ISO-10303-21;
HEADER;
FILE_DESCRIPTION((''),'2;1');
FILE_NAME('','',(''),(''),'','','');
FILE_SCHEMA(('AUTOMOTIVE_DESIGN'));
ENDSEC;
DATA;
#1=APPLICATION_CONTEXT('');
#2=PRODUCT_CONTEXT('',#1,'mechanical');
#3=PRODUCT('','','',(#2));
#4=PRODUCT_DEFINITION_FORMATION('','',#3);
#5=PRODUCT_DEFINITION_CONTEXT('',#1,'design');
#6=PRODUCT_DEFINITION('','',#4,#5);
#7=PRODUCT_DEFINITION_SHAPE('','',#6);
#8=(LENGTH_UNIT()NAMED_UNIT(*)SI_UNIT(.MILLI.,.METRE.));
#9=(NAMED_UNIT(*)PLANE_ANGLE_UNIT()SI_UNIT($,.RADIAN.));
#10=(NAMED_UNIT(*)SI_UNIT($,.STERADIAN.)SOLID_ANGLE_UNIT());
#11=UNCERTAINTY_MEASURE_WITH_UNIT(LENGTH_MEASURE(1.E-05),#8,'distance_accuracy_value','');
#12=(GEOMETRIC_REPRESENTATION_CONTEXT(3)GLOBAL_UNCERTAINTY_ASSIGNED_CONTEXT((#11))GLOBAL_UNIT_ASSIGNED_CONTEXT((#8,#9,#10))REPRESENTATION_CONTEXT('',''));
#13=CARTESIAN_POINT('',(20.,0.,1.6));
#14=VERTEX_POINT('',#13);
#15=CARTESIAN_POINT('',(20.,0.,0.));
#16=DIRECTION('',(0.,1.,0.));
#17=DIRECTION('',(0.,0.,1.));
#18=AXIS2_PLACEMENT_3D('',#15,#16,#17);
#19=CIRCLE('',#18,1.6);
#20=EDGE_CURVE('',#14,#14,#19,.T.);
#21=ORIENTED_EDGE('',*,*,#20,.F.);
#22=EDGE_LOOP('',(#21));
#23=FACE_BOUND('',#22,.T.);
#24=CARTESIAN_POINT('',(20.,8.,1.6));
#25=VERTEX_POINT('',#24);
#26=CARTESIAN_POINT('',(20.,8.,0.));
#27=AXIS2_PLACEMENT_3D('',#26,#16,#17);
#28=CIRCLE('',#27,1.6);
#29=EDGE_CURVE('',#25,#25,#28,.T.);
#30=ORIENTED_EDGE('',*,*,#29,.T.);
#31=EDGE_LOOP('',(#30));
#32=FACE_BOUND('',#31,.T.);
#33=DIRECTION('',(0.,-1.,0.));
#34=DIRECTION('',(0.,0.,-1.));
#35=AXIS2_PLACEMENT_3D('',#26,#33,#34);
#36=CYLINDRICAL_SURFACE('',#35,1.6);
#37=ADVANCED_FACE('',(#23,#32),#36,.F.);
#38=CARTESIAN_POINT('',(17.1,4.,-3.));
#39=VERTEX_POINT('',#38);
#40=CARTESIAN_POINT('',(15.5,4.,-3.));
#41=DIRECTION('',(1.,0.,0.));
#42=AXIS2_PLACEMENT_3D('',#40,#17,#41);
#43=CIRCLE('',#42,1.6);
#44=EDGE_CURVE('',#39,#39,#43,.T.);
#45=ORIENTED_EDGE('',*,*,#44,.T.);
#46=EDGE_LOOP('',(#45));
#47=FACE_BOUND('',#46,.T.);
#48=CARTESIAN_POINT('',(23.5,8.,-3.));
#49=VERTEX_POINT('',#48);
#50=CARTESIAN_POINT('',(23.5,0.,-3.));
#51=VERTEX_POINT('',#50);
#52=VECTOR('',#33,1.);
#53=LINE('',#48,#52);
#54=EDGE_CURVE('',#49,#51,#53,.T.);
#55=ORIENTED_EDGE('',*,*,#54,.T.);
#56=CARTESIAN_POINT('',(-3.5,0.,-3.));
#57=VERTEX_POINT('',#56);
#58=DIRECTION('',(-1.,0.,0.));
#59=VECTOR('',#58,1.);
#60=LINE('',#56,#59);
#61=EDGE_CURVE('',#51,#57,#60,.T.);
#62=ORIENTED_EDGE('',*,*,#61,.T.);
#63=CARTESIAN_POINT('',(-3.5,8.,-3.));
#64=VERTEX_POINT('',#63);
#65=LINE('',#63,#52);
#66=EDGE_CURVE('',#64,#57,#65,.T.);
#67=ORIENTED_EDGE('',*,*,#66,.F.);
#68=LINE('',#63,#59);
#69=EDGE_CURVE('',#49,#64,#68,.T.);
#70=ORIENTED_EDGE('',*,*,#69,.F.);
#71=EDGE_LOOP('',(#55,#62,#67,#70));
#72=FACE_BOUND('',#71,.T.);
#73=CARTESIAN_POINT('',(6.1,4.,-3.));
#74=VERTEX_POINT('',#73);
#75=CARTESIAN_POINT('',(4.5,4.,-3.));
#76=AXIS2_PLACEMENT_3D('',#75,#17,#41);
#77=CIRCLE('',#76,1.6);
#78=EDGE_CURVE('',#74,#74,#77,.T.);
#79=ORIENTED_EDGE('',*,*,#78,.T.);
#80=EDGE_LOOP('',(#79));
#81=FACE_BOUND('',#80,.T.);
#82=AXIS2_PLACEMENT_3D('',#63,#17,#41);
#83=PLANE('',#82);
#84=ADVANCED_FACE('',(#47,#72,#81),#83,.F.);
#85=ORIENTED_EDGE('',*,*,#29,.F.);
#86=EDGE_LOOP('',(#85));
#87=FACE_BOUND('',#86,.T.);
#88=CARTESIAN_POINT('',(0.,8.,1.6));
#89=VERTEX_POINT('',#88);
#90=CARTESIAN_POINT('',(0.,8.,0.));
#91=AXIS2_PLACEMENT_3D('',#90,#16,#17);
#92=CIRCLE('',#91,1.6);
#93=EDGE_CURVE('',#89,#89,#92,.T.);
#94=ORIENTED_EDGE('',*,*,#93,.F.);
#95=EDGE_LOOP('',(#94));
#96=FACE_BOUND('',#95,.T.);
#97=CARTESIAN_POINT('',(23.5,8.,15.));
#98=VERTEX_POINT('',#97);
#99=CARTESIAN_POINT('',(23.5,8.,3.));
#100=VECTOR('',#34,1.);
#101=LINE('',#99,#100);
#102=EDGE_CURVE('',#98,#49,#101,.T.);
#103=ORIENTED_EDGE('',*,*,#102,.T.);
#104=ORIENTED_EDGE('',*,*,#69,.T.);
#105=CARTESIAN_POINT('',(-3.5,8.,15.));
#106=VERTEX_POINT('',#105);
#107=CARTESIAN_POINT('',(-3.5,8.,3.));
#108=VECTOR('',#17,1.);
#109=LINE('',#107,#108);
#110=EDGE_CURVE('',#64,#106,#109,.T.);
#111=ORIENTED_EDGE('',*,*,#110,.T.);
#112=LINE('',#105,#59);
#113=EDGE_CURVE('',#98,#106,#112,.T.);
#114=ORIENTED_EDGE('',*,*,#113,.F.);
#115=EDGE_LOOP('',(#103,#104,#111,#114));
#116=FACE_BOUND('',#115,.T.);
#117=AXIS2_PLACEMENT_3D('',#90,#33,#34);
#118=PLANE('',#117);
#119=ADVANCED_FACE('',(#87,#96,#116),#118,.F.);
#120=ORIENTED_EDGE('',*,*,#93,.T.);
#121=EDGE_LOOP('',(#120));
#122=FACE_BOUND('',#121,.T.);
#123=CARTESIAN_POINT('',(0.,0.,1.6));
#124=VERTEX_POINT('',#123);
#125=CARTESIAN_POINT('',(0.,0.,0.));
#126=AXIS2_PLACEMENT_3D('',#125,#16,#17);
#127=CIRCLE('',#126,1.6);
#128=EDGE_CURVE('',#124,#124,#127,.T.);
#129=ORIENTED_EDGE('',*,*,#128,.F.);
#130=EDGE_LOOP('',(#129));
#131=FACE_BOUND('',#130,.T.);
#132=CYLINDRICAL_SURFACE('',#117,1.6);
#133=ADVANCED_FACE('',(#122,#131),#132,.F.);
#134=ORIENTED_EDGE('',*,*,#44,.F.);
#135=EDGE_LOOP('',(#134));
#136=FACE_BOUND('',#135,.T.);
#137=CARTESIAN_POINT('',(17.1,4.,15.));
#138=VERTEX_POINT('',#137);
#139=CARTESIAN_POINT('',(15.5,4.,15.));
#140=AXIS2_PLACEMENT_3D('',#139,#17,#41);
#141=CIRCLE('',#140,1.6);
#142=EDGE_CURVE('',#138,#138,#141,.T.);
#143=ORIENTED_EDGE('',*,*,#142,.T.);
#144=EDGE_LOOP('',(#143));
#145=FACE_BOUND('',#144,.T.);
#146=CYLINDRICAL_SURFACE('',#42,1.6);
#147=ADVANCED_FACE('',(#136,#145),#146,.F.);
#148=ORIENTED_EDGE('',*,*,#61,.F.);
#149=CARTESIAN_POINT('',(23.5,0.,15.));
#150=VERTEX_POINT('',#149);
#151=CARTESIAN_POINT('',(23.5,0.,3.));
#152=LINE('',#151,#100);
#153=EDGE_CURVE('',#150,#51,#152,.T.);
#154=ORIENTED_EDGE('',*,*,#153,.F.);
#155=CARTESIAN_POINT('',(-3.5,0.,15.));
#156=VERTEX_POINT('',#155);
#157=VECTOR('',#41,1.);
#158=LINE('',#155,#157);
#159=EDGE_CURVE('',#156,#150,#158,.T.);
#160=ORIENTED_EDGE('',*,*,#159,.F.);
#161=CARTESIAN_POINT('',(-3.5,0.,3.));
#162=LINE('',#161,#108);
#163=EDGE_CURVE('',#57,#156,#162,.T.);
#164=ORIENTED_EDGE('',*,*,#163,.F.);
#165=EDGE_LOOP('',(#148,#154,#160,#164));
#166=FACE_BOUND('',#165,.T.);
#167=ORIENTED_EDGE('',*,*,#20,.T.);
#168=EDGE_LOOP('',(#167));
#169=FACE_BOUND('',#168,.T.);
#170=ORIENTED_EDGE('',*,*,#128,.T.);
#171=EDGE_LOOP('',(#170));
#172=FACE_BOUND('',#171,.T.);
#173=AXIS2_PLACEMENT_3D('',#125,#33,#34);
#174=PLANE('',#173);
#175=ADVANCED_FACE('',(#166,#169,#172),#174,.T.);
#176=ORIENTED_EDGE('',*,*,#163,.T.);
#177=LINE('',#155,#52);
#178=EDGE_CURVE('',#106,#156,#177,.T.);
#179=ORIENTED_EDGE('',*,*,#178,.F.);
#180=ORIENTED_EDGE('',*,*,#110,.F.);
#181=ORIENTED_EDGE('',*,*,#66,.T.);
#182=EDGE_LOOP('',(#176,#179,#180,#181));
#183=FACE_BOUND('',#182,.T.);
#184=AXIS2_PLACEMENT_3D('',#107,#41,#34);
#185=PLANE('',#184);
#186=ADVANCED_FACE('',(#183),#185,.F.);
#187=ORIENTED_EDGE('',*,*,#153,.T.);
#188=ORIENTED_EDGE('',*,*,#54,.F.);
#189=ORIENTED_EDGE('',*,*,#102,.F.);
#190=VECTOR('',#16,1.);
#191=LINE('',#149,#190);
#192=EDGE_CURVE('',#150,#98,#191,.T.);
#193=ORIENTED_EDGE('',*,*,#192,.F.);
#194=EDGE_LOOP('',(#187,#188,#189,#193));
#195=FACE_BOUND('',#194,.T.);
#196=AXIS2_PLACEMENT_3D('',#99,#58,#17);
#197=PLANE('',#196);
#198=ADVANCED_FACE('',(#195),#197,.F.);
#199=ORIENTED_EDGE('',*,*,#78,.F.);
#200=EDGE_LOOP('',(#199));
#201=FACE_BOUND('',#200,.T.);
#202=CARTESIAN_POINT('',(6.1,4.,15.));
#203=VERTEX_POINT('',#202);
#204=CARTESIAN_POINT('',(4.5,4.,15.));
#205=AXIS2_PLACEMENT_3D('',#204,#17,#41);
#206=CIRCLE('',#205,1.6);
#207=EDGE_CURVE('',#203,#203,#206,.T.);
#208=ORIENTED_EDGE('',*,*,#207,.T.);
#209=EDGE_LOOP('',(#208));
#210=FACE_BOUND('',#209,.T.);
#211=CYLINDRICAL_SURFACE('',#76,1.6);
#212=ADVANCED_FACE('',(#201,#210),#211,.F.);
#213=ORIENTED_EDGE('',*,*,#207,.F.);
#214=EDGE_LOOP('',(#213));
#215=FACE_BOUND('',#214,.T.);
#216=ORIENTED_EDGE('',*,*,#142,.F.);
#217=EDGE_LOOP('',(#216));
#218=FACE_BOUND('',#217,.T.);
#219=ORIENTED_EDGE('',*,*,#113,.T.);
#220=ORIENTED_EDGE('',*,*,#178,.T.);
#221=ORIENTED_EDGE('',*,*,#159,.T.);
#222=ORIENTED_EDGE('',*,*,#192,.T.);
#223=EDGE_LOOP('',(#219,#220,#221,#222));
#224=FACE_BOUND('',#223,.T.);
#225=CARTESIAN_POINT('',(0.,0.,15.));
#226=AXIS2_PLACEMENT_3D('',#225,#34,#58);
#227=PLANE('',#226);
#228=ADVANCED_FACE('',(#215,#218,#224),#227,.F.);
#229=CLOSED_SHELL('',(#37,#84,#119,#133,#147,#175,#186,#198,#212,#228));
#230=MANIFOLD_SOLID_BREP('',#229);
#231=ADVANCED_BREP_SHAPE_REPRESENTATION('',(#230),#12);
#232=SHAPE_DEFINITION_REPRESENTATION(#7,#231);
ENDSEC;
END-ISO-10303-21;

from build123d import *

# Parameters (mm, degrees)
SKETCH1_W               = 27
SKETCH1_H               = 6
SKETCH1_R               = 1.6
BOSS_EXTRUDE1_DEPTH     = 8
SKETCH3_W               = 27
SKETCH3_H               = 8
BOSS_EXTRUDE2_DEPTH     = 12
SKETCH2_R               = 1.6
CUT_EXTRUDE1_DEPTH      = 16
CUT_EXTRUDE1_DEPTH_BACK = 4


with BuildPart() as part:
    # Sketch1 → Boss-Extrude1 (new body)
    with BuildSketch(Plane(origin=(0, 0, 0), x_dir=(1, 0, 0), z_dir=(0, 1, 0))):
        with Locations((10, 0)):
            Rectangle(SKETCH1_W, SKETCH1_H)
        Circle(SKETCH1_R, mode=Mode.SUBTRACT)
        with Locations((20, 0)):
            Circle(SKETCH1_R, mode=Mode.SUBTRACT)
    extrude(amount=BOSS_EXTRUDE1_DEPTH)

    # Sketch3 → Boss-Extrude2 (add)
    with BuildSketch(Plane.XY.offset(3)):
        with Locations((10, 4)):
            Rectangle(SKETCH3_W, SKETCH3_H)
    extrude(amount=BOSS_EXTRUDE2_DEPTH)

    # Sketch2 → Cut-Extrude1 (cut, two sides)
    with BuildSketch(Plane.XY) as cut_extrude1_sk:
        with Locations((4.5, 4)):
            Circle(SKETCH2_R)
        with Locations((15.5, 4)):
            Circle(SKETCH2_R)
    extrude(amount=CUT_EXTRUDE1_DEPTH, mode=Mode.SUBTRACT)
    extrude(cut_extrude1_sk.sketch, amount=-CUT_EXTRUDE1_DEPTH_BACK, mode=Mode.SUBTRACT)


solid = part.part
